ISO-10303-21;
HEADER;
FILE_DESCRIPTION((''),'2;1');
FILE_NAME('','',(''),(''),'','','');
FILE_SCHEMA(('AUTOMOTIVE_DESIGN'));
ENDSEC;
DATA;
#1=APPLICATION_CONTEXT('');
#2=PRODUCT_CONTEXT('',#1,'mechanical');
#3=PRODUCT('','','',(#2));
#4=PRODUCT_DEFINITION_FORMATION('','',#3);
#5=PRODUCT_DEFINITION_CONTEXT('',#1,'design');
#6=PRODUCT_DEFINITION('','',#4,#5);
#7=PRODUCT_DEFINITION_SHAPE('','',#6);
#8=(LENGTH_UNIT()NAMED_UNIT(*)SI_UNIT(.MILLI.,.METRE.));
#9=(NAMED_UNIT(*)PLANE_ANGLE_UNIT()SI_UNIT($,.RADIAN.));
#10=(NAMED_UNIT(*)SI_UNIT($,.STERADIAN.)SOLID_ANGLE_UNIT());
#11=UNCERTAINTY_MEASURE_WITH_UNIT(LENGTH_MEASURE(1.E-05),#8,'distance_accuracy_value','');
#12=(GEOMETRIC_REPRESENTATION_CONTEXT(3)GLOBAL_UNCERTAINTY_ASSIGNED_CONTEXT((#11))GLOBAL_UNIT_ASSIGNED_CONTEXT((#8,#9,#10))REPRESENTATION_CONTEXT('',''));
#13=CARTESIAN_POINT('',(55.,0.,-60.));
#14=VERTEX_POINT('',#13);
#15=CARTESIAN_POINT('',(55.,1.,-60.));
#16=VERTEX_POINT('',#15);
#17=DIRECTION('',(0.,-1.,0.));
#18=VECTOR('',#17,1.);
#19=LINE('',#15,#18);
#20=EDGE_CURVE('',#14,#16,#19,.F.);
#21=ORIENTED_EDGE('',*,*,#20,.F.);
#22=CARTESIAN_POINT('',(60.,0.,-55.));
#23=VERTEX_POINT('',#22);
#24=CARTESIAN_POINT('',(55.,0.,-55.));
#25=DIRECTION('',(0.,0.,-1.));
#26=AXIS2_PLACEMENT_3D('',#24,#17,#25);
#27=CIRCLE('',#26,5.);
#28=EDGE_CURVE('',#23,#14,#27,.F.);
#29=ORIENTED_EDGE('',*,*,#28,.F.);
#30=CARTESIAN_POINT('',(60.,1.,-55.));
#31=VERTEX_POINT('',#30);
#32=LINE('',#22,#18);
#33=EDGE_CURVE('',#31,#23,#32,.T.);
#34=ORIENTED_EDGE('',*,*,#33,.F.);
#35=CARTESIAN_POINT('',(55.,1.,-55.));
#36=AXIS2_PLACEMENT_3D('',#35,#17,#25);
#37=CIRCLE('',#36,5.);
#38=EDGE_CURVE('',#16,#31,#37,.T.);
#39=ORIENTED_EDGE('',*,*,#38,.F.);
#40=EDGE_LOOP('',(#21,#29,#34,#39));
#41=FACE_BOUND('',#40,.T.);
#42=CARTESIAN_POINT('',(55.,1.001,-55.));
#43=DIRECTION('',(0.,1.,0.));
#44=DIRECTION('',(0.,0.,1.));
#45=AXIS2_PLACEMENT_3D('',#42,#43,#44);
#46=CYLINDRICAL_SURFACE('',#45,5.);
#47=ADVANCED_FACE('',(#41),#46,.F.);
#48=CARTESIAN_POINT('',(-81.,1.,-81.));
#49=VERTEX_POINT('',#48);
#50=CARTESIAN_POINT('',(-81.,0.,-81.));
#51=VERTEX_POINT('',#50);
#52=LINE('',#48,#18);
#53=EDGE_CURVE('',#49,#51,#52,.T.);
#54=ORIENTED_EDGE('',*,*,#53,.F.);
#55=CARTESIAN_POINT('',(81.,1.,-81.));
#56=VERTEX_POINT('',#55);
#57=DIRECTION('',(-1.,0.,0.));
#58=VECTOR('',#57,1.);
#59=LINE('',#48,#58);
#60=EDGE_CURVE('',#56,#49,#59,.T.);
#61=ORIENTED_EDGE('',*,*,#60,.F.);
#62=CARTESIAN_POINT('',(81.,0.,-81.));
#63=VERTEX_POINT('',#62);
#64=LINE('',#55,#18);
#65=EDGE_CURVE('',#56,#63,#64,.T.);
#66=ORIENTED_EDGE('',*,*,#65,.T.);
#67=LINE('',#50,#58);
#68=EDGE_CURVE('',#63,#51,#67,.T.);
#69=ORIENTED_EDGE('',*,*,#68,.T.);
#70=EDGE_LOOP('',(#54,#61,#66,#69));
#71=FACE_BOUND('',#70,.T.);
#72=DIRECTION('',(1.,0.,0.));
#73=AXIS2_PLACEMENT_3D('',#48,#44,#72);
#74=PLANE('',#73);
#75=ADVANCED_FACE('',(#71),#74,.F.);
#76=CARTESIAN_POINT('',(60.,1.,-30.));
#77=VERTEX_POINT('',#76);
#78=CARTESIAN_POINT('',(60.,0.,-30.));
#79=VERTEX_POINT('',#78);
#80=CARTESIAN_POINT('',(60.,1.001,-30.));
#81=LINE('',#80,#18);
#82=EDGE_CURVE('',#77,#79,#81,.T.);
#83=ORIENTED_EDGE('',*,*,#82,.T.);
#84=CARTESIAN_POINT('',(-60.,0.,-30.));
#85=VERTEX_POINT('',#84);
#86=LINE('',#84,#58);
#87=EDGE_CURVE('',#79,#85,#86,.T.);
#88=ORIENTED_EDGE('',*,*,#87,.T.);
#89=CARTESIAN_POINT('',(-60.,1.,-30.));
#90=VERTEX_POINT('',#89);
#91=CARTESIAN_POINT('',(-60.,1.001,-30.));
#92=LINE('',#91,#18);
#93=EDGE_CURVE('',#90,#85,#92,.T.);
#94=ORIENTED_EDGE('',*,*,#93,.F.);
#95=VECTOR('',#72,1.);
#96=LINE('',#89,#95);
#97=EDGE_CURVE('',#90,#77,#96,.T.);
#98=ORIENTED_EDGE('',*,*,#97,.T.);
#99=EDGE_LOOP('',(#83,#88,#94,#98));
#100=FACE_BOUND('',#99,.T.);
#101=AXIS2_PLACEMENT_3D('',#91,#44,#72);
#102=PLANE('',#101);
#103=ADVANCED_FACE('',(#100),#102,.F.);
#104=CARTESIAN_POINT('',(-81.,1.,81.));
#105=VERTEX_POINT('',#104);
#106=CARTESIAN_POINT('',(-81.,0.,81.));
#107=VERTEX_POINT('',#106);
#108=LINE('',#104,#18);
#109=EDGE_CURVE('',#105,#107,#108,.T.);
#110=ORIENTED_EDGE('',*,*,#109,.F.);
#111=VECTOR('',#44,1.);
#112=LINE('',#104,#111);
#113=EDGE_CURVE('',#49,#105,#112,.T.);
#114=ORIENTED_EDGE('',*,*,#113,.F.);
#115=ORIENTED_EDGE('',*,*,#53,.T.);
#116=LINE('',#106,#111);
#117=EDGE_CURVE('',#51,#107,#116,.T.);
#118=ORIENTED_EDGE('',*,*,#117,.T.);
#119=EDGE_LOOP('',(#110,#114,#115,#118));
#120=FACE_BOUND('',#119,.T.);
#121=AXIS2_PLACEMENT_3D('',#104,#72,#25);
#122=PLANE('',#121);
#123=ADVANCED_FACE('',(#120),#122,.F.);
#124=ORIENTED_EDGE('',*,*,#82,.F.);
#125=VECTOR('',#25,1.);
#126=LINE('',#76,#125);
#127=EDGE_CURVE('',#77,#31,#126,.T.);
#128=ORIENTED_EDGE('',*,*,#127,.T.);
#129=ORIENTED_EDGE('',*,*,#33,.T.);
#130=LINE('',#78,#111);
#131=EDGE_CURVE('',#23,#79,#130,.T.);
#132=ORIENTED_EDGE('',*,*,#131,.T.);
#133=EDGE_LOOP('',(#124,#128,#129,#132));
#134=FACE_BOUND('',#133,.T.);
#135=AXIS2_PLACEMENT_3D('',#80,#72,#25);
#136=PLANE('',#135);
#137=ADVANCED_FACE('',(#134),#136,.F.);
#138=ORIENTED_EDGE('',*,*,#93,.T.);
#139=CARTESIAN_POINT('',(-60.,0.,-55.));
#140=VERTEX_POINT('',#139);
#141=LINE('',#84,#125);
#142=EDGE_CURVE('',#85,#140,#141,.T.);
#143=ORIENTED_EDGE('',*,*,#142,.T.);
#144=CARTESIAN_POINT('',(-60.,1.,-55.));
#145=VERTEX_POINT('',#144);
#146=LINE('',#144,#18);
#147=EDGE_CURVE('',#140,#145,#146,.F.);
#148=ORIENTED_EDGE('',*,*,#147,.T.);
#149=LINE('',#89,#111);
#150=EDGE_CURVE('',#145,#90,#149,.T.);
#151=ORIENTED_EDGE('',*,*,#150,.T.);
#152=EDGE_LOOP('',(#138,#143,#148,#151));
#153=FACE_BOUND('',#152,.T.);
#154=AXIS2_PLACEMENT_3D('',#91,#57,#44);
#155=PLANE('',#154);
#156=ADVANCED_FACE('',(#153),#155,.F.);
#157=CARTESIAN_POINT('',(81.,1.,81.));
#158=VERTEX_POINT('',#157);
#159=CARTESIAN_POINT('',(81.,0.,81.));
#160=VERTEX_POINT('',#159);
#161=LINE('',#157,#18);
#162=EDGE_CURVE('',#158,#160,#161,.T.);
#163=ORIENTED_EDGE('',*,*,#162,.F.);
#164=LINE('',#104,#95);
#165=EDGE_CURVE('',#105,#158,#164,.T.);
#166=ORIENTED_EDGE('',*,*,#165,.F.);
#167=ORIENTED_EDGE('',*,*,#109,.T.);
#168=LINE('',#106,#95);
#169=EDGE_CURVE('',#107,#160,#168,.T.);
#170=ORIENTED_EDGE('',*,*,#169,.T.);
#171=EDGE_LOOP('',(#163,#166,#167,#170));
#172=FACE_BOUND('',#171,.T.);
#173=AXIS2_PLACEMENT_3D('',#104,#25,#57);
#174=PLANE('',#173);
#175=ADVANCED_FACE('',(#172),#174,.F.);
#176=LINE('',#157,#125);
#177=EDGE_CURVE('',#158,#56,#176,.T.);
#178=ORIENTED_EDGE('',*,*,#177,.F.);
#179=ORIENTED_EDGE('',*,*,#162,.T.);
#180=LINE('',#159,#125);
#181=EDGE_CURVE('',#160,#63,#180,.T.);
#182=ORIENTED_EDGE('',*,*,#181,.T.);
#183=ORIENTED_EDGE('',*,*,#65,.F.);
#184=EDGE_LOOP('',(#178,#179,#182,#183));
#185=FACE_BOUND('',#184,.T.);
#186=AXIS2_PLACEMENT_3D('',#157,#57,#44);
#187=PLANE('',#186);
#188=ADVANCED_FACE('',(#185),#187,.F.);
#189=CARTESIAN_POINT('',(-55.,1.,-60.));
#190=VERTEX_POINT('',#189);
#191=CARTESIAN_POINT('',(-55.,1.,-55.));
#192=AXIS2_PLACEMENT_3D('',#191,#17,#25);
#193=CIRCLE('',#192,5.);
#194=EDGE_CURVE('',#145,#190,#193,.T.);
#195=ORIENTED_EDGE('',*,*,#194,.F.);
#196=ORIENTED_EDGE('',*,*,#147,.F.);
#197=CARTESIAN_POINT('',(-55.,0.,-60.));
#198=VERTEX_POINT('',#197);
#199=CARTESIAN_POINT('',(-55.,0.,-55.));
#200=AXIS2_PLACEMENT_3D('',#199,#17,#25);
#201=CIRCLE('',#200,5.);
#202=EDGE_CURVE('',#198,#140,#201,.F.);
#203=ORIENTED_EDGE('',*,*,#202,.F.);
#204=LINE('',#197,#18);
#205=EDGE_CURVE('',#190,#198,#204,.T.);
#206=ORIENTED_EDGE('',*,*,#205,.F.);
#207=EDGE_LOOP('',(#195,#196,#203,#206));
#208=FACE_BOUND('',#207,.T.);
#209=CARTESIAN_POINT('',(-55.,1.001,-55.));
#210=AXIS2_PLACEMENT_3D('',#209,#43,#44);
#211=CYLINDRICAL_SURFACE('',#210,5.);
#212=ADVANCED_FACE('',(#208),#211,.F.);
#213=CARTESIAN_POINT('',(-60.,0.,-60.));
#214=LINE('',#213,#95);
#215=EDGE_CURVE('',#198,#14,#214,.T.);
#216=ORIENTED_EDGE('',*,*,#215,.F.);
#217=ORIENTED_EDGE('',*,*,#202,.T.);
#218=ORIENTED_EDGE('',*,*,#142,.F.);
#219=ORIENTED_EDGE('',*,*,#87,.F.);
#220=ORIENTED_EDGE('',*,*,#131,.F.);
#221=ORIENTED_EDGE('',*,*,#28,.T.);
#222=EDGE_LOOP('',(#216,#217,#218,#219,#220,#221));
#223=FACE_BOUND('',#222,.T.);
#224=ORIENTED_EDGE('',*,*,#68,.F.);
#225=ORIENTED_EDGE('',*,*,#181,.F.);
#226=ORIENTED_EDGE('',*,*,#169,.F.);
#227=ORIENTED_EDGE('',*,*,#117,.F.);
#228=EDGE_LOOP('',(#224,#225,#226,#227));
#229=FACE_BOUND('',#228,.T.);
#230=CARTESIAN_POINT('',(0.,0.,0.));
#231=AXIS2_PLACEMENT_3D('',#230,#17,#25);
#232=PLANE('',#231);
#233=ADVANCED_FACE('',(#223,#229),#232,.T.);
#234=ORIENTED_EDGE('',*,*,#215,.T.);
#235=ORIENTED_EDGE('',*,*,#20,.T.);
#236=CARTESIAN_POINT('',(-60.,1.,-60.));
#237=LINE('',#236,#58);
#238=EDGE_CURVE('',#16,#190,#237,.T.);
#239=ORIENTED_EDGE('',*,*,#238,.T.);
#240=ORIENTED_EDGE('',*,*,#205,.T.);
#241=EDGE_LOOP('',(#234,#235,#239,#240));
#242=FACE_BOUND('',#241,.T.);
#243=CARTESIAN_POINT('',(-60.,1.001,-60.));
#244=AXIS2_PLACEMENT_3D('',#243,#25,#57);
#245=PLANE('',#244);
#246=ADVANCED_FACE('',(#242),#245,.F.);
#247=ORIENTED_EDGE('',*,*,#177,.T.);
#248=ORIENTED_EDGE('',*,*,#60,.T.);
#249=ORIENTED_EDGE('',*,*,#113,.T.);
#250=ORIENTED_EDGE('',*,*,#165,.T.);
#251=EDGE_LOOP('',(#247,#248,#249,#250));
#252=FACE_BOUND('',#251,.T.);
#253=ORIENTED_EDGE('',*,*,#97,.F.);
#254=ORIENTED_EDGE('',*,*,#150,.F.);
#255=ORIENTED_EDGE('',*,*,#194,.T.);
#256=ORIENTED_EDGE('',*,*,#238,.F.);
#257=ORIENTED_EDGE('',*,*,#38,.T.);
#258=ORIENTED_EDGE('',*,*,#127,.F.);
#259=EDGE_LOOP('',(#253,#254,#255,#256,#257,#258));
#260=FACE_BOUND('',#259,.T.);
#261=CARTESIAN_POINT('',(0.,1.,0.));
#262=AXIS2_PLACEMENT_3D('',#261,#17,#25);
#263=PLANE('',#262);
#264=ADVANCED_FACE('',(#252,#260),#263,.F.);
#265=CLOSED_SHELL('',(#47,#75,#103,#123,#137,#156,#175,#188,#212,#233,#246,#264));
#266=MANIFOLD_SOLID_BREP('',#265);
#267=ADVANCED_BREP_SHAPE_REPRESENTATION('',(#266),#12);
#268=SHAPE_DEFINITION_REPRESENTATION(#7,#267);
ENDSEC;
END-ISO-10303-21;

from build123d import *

# Parameters (mm, degrees)
SKETCH_1_W          = 162
SKETCH_1_H          = 162
EXTRUDE_1_DEPTH     = 1
CUT_EXTRUDE_1_REACH = 3
SKETCH_2_W          = 120
SKETCH_2_H          = 30
FILLET_1_R          = 5


with BuildPart() as part:
    # 草图1 → 凸台-拉伸1 (new body)
    with BuildSketch(Plane(origin=(0, 0, 0), x_dir=(1, 0, 0), z_dir=(0, 1, 0))):
        Rectangle(SKETCH_1_W, SKETCH_1_H)
    extrude(amount=EXTRUDE_1_DEPTH)

    # 草图2 → 切除-拉伸1 (cut, up to next)
    with BuildSketch(Plane.XZ, mode=Mode.PRIVATE) as cut_extrude_1_sk1:
        with Locations((0, -45)):
            Rectangle(SKETCH_2_W, SKETCH_2_H)
    cut_extrude_1_tool1 = extrude(cut_extrude_1_sk1.sketch, amount=-CUT_EXTRUDE_1_REACH, mode=Mode.PRIVATE) & part.part
    add(cut_extrude_1_tool1.solids().sort_by_distance((0, 0, -45))[0], mode=Mode.SUBTRACT)

    # 圆角1
    fillet_1_edges = [part.edges().sort_by_distance(p)[0] for p in [
        (60, 0.5, -60),
        (-60, 0.5, -60),
    ]]
    fillet(fillet_1_edges, radius=FILLET_1_R)


solid = part.part
